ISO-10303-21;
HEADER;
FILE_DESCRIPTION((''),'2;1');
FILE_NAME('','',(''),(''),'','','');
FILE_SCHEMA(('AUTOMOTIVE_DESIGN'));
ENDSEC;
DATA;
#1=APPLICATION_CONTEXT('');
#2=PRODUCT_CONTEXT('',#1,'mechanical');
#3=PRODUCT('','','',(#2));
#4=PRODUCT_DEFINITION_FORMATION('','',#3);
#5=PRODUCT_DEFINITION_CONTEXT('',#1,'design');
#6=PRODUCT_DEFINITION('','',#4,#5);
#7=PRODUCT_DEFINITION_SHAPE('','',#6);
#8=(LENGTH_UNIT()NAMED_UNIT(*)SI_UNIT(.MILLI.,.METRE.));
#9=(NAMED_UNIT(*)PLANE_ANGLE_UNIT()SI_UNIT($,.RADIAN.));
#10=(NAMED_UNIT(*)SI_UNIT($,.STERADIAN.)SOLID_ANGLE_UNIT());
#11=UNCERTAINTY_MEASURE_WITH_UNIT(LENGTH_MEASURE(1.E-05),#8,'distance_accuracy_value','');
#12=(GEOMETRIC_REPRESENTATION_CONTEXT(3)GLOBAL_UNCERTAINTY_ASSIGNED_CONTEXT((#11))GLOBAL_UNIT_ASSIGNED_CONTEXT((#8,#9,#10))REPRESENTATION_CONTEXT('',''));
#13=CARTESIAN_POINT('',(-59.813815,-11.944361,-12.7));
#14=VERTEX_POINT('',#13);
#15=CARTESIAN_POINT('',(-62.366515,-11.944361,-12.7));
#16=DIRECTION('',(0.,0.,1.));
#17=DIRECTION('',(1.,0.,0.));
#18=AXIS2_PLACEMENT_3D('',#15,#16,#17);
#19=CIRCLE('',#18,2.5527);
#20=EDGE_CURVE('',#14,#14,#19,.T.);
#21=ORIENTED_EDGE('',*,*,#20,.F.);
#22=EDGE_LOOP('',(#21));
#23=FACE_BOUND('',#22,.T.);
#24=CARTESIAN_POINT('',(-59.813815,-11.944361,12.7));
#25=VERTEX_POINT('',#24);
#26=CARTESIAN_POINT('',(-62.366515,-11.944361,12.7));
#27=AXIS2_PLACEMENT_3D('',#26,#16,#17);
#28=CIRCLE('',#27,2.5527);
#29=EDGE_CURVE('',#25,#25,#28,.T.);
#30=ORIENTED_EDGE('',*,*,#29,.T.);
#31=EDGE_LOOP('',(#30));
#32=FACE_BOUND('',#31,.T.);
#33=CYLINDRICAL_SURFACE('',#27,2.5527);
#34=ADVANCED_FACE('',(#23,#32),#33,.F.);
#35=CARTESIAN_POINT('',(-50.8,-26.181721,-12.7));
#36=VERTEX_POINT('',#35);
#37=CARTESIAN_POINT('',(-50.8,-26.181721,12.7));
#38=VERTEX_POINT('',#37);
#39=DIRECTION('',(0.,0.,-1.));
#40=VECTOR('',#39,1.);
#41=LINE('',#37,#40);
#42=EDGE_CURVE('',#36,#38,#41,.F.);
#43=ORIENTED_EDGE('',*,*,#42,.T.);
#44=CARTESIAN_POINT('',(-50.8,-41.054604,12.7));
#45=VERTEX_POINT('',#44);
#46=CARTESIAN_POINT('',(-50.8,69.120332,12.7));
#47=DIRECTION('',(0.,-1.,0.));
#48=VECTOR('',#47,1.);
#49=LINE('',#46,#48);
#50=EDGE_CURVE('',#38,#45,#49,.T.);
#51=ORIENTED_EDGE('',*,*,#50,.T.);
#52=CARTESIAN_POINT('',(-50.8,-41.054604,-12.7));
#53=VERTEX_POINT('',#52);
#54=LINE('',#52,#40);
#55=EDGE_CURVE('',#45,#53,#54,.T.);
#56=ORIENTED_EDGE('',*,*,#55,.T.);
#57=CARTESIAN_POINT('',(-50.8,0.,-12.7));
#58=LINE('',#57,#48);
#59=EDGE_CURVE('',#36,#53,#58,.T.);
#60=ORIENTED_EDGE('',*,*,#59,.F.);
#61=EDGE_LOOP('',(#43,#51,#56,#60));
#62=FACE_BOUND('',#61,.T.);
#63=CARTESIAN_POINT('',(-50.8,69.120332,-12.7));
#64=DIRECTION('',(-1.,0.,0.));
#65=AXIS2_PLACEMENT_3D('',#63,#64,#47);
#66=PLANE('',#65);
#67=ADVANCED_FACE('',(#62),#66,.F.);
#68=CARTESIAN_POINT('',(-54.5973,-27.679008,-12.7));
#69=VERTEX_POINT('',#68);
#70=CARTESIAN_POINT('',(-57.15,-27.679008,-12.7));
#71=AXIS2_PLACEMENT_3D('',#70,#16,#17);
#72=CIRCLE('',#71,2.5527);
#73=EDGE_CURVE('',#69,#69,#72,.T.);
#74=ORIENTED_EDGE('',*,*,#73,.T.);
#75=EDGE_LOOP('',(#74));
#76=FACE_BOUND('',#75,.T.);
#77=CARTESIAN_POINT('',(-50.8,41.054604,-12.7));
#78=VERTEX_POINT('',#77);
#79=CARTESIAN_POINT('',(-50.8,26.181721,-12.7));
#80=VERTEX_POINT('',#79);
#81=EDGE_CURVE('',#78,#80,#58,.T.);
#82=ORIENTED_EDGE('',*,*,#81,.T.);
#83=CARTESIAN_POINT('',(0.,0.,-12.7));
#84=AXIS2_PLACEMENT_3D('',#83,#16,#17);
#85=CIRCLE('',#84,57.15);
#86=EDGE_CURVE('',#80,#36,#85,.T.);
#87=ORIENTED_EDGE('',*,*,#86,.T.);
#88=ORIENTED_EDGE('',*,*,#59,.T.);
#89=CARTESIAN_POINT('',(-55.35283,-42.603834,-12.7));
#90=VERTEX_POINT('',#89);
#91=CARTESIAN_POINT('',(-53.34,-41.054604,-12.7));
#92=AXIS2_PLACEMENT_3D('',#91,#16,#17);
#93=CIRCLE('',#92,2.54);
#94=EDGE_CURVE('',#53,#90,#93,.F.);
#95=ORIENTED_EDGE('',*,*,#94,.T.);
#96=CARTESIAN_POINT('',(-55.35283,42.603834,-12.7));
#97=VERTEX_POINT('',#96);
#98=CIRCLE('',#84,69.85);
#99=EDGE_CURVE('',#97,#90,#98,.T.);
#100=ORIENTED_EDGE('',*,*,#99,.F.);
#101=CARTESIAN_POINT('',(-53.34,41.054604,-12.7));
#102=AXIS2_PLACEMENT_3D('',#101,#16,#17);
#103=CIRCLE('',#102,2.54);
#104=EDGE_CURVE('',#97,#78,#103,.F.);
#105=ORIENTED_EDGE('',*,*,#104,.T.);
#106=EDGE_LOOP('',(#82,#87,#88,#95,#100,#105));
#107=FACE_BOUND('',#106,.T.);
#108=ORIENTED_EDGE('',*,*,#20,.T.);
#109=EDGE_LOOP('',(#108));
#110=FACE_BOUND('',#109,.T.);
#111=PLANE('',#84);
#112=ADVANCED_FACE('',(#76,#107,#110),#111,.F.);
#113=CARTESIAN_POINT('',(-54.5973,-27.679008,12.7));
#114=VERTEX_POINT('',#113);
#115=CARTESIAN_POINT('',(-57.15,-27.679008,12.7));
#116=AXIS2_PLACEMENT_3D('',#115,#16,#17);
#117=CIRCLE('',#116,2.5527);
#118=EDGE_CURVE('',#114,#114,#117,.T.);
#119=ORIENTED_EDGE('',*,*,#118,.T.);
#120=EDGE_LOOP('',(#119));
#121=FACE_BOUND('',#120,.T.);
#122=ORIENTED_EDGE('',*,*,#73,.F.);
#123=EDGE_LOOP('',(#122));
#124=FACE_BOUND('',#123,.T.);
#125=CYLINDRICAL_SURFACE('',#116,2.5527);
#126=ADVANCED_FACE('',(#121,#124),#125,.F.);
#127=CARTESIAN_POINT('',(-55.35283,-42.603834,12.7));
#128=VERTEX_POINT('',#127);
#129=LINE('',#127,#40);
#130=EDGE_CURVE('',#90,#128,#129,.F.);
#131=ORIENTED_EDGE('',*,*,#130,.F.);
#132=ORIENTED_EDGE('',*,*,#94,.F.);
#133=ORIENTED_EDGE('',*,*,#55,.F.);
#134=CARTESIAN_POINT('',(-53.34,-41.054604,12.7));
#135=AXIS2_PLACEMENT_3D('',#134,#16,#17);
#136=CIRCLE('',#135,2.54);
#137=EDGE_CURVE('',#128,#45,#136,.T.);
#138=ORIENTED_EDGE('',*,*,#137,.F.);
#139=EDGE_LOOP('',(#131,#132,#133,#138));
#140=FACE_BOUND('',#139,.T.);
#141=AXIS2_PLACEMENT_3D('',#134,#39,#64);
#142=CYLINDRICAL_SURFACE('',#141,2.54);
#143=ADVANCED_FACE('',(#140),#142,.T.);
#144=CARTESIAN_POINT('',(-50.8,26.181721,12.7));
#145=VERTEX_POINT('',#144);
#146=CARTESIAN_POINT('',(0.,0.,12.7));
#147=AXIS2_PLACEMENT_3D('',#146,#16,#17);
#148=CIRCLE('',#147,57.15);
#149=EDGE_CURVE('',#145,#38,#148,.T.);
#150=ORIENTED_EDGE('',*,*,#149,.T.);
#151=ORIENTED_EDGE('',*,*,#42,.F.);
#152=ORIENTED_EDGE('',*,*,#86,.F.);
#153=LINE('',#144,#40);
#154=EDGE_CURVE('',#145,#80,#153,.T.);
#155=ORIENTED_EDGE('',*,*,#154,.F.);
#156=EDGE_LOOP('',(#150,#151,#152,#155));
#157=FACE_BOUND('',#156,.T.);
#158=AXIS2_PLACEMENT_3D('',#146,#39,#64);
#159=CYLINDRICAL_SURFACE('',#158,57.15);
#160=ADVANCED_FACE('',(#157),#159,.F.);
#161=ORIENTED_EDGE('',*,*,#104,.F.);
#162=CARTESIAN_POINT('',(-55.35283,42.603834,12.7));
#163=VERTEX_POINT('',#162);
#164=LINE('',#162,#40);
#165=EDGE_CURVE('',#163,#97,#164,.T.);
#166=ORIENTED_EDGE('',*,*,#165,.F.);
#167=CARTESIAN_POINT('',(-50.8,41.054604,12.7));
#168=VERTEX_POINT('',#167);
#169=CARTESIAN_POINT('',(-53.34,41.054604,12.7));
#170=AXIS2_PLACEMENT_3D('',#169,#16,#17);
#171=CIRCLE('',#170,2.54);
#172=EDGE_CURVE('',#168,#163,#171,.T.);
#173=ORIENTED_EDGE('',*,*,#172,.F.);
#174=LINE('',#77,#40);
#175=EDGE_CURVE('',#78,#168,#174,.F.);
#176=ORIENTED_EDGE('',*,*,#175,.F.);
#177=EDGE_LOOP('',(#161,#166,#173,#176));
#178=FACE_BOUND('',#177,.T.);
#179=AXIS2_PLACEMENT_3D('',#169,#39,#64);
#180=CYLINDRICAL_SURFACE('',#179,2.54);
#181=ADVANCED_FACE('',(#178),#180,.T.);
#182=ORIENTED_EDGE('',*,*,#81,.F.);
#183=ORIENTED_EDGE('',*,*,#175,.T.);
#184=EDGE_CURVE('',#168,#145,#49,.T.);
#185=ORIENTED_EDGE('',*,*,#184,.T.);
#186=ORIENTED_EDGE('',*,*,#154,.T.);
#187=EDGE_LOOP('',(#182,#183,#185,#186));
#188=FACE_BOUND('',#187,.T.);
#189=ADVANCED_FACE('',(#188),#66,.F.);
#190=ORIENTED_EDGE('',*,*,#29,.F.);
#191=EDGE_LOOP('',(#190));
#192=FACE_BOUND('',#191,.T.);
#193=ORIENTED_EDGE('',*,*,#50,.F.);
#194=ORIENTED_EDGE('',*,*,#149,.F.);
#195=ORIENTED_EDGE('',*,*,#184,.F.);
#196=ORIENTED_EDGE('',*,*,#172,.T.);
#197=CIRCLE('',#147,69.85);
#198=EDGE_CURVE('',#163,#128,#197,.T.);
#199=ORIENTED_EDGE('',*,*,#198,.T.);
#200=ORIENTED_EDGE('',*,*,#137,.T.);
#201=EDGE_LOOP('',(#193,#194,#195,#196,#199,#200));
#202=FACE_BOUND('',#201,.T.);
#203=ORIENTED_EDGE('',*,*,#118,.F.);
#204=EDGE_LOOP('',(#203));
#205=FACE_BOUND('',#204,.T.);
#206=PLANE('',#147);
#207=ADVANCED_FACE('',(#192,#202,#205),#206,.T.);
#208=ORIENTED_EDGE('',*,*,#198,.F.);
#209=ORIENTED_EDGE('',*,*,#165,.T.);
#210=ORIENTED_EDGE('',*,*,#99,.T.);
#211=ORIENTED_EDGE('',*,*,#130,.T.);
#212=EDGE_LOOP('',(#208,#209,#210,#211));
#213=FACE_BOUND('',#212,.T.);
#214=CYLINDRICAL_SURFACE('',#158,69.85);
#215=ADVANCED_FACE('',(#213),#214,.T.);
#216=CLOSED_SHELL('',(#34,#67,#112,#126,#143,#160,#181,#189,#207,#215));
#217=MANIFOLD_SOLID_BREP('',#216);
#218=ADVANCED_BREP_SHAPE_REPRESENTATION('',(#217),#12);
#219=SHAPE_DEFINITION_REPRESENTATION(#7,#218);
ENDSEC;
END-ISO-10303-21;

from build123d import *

# Parameters (mm, degrees)
BOSS_EXTRUDE1_DEPTH         = 12.7
BOSS_EXTRUDE1_DEPTH_BACK    = 12.7
SKETCH3_R                   = 69.85
SKETCH3_R_2                 = 57.15
CUT_EXTRUDE1_DEPTH          = 102.996102867
TAP_DRILL_FOR_1_4_20_TAP1_D = 5.1054
FILLET1_R                   = 2.54


with BuildPart() as part:
    # Sketch3 → Boss-Extrude1 (new, two sides: drawn at the far end of the back side and taken through both)
    with BuildSketch(Plane.XY.offset(-BOSS_EXTRUDE1_DEPTH_BACK)):
        Circle(SKETCH3_R)
        Circle(SKETCH3_R_2, mode=Mode.SUBTRACT)
    extrude(amount=BOSS_EXTRUDE1_DEPTH + BOSS_EXTRUDE1_DEPTH_BACK)

    # Sketch4 → Cut-Extrude1 (cut, through all)
    with BuildSketch(Plane.XY.offset(12.7)):
        with BuildLine():
            Line((-50.8, 69.120332123), (-50.8, -69.120332123))
            ThreePointArc((-50.8, -69.120332123), (85.780302592, 0), (-50.8, 69.120332123))
        make_face()
    extrude(amount=-CUT_EXTRUDE1_DEPTH, mode=Mode.SUBTRACT)

    # Tap Drill for 1/4-20 Tap1 (through all)
    with Locations(Plane.XY.offset(12.7)):
        with Locations((-57.15, -27.679008291), (-62.366515468, -11.944360527)):
            Hole(TAP_DRILL_FOR_1_4_20_TAP1_D / 2)

    # Fillet1
    fillet1_edges = [part.edges().sort_by_distance(p)[0] for p in [
        (-50.8, 47.941448664, 0),
        (-50.8, -47.941448664, 0),
    ]]
    fillet(fillet1_edges, radius=FILLET1_R)


solid = part.part
